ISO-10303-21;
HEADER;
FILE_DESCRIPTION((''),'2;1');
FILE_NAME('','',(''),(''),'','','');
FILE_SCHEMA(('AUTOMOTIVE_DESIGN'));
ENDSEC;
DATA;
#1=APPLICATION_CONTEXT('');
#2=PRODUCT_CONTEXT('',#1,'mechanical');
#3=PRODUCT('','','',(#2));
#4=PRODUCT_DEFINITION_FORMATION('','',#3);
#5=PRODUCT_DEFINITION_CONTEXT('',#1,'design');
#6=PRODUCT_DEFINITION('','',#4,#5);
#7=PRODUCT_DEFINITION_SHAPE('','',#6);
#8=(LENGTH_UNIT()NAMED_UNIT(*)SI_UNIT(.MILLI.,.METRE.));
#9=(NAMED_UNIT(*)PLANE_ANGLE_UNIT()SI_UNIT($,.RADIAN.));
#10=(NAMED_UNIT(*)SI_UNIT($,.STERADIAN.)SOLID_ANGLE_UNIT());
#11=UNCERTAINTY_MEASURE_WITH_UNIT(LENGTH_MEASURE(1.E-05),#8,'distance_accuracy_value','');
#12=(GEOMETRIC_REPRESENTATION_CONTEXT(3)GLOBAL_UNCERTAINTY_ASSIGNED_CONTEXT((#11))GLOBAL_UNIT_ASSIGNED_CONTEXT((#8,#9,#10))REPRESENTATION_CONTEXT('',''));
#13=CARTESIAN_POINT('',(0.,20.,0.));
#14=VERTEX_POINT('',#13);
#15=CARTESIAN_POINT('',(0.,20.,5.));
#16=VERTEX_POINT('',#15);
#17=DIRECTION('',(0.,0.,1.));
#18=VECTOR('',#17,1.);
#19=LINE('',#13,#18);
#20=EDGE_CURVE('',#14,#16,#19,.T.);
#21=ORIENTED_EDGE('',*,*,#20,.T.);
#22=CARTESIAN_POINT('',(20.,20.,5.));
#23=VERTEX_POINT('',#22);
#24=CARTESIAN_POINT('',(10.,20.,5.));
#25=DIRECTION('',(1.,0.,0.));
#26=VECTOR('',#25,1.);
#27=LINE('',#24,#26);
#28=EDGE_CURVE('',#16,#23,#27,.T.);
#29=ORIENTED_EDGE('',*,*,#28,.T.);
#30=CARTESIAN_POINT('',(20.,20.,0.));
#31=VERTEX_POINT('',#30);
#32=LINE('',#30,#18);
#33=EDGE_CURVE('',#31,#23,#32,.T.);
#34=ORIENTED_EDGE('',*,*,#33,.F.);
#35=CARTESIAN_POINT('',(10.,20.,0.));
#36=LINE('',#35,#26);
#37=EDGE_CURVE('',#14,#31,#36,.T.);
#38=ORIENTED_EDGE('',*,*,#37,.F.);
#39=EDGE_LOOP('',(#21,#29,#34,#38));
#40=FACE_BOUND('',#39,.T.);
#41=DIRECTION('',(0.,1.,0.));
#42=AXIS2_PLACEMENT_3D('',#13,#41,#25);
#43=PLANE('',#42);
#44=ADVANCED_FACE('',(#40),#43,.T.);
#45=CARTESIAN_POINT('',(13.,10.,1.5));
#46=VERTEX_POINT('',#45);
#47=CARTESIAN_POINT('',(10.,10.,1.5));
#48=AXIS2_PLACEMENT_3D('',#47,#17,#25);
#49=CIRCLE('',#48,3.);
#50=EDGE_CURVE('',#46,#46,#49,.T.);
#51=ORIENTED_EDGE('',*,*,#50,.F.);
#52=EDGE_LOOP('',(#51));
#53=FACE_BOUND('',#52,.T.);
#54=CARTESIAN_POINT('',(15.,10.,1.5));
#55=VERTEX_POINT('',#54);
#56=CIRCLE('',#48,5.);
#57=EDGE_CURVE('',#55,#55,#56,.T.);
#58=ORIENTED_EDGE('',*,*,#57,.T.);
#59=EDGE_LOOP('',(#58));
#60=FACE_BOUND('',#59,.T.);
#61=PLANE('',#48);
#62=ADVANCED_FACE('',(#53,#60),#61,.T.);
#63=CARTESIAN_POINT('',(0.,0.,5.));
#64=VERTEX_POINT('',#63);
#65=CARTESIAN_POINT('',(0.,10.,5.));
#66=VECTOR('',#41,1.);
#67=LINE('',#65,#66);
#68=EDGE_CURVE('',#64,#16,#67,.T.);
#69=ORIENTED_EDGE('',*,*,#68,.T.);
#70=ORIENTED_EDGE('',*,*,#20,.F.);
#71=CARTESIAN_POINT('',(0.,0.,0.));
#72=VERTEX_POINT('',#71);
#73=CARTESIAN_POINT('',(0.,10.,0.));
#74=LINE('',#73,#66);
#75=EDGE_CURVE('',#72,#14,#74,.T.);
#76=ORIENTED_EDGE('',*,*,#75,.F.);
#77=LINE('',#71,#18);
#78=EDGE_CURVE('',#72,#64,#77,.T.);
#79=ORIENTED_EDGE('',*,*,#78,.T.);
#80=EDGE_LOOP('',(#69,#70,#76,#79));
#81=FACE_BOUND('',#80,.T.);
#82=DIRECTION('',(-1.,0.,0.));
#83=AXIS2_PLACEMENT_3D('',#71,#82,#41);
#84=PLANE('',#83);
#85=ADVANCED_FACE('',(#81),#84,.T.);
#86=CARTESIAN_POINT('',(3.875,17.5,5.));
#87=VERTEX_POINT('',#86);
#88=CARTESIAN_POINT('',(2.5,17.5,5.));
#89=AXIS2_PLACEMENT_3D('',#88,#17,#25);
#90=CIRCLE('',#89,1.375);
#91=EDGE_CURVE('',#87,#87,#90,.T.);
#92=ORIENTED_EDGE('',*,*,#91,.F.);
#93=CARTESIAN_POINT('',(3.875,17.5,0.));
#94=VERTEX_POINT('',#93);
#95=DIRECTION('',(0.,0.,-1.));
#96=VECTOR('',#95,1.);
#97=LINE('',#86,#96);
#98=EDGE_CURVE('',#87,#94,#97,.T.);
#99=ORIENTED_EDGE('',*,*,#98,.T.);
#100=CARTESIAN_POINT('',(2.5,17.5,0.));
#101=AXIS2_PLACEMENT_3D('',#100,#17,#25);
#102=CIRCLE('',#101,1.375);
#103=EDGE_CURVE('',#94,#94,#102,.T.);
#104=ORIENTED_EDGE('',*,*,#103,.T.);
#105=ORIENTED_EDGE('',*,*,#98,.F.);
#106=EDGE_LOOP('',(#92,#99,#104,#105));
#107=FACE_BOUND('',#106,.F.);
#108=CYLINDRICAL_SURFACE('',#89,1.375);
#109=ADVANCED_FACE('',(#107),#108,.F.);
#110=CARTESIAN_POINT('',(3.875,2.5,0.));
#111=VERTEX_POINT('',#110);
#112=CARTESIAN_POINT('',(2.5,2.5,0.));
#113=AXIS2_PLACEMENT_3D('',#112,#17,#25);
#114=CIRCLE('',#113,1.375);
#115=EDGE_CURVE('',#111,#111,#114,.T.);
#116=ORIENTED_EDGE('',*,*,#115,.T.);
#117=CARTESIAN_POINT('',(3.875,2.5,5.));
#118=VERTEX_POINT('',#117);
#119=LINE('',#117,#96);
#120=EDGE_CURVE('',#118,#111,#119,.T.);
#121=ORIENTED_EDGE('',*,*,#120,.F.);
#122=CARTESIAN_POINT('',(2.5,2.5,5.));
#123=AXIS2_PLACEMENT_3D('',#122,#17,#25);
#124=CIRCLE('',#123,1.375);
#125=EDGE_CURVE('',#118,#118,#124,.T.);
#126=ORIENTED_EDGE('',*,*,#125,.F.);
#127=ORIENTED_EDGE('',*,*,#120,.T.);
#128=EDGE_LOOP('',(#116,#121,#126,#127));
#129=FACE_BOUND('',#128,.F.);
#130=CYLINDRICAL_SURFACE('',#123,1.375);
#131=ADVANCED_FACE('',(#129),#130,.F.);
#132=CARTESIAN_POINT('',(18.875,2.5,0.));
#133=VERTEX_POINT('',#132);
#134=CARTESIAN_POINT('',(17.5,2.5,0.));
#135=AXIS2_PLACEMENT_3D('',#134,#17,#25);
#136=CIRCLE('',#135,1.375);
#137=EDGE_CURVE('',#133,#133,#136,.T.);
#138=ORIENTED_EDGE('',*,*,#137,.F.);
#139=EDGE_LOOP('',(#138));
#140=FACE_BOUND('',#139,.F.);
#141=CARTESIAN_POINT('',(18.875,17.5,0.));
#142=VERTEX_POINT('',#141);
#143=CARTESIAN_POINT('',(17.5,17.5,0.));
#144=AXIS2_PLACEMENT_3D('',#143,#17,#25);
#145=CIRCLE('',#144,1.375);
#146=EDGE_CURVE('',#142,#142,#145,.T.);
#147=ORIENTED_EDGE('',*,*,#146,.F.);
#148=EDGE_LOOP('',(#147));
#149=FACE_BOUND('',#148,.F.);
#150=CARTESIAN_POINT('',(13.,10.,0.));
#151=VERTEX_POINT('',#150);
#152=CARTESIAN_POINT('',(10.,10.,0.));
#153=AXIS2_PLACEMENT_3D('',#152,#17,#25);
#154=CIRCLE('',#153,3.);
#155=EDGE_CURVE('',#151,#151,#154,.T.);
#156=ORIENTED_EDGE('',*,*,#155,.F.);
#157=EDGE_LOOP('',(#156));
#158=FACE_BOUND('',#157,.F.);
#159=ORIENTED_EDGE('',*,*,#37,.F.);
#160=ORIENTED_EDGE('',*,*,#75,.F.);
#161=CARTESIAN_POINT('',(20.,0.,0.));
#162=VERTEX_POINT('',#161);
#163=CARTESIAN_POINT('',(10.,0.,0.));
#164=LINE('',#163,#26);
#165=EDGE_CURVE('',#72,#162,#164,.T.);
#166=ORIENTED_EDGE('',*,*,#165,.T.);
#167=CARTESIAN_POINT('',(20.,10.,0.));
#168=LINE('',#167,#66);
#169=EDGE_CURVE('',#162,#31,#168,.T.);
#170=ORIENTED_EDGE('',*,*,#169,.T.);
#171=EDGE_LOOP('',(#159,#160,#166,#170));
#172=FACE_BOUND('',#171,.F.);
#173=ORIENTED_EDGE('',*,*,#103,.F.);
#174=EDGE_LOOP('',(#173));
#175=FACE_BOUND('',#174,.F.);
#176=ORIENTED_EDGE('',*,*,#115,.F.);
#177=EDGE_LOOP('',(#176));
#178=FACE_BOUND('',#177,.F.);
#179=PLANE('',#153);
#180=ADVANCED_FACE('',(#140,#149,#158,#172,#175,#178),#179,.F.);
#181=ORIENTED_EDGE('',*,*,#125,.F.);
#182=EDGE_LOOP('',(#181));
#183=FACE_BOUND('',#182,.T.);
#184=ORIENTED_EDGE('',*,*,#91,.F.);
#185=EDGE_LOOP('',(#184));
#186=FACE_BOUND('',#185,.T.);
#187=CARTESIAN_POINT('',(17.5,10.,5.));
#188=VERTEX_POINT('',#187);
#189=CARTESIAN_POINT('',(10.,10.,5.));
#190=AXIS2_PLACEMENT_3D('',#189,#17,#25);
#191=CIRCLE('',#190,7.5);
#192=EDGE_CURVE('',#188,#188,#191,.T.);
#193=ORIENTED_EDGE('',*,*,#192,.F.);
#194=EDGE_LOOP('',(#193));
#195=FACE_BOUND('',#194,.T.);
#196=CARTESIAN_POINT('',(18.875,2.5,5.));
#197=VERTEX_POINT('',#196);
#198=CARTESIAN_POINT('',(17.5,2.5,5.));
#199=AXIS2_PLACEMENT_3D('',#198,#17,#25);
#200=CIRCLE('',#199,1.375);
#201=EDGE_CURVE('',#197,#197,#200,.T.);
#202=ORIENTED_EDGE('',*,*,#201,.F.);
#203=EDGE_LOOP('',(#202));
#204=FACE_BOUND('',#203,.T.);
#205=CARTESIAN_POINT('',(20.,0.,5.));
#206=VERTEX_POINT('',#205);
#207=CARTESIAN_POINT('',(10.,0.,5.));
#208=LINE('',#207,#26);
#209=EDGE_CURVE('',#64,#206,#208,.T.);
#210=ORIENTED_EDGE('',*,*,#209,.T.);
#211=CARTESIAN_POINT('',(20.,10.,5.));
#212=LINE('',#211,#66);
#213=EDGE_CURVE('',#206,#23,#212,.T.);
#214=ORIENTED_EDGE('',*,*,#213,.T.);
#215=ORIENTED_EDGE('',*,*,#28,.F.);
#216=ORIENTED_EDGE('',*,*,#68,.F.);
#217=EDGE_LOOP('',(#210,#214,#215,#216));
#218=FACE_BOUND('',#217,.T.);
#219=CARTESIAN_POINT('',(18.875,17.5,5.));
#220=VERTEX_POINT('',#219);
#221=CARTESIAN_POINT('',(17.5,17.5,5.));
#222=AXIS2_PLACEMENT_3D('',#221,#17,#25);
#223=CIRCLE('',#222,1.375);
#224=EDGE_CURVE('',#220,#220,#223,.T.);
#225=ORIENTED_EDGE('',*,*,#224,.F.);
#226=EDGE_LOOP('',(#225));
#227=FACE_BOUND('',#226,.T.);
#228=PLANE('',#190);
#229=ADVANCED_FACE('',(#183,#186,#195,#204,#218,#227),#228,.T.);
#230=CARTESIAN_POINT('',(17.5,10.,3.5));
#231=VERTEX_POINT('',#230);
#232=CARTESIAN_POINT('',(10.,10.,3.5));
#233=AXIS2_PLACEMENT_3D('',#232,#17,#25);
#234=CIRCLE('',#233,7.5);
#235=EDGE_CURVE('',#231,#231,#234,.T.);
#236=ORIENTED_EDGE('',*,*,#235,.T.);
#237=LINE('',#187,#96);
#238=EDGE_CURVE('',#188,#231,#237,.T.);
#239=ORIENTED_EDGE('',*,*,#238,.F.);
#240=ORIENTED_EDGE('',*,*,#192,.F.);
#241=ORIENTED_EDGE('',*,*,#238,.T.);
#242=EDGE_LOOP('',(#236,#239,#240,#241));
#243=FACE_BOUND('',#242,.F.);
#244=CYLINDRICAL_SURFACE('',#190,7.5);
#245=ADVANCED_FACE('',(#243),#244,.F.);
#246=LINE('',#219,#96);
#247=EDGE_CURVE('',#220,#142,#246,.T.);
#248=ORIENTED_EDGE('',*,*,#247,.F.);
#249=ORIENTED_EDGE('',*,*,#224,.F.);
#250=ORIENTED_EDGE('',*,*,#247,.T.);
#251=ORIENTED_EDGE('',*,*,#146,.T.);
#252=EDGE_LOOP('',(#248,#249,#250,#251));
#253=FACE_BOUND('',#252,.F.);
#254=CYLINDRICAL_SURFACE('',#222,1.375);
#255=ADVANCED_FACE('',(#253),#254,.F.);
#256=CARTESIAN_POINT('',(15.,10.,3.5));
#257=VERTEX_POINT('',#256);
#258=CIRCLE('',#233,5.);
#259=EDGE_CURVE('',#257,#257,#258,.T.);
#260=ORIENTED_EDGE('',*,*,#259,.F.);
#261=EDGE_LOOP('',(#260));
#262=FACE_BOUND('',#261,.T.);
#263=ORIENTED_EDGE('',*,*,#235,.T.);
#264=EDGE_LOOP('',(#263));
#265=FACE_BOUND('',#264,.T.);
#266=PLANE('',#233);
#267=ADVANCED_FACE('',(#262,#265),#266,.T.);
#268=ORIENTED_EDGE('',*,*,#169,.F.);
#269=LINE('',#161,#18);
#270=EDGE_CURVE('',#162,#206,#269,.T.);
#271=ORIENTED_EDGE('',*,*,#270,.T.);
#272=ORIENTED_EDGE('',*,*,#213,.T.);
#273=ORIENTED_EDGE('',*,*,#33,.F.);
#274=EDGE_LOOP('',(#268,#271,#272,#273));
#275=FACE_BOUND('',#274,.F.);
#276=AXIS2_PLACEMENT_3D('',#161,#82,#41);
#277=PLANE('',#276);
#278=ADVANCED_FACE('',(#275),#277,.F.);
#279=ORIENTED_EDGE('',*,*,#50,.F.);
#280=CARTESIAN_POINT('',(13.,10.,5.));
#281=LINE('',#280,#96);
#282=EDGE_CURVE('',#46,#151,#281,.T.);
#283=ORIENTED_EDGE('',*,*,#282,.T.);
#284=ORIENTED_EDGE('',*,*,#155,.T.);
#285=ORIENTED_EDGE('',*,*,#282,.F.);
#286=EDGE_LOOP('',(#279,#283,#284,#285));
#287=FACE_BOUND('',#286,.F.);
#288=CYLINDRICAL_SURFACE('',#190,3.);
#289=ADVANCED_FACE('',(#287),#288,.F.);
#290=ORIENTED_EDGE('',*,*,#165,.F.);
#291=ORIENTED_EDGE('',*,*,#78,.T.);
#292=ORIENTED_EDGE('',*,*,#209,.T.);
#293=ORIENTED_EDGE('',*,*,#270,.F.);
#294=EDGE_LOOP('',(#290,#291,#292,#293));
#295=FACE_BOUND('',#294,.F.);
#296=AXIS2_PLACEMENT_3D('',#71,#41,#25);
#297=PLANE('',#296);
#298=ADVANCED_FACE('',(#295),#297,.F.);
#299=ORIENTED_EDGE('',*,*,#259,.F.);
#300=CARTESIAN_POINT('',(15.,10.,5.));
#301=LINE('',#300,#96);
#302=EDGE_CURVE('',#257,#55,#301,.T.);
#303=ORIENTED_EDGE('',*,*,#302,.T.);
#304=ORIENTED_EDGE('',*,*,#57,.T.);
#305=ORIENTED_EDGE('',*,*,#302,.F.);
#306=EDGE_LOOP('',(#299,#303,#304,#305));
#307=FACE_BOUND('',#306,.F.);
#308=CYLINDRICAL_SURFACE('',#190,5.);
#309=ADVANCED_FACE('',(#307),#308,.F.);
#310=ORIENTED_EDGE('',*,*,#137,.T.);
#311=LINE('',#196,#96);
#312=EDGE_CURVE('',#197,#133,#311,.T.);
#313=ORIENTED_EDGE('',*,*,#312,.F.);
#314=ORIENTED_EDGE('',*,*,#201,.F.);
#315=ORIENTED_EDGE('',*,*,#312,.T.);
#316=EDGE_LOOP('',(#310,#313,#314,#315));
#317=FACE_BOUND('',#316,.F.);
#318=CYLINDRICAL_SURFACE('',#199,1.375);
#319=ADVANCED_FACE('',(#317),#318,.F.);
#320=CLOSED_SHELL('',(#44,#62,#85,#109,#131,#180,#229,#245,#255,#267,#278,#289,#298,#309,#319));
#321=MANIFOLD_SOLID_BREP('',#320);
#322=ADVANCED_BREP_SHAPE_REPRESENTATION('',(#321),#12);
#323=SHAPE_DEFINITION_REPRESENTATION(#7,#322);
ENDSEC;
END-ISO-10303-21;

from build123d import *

# Parameters (mm, degrees)
F0_W     = 20
F0_H     = 20
F1_DEPTH = 5
F2_R     = 3
F2_R_2   = 1.375
F3_DEPTH = 25
F4_R     = 5
F5_DEPTH = 3.5
F6_R     = 7.5
F7_DEPTH = 1.5


with BuildPart() as f1:
    # F0 (on Top) → F1 (new body)
    with BuildSketch(Plane.XY):
        with Locations((10, 10)):
            Rectangle(F0_W, F0_H)
    extrude(amount=F1_DEPTH)

    # F2 (on face) → F3 (cut)
    with BuildSketch(Plane.XY.offset(5)):
        with Locations((10, 10)):
            Circle(F2_R)
        with Locations((2.5, 17.5)):
            Circle(F2_R_2)
        with Locations((17.5, 17.5)):
            Circle(F2_R_2)
        with Locations((17.5, 2.5)):
            Circle(F2_R_2)
        with Locations((2.5, 2.5)):
            Circle(F2_R_2)
    extrude(amount=-F3_DEPTH, mode=Mode.SUBTRACT)

    # F4 (on face) → F5 (cut)
    with BuildSketch(Plane.XY.offset(5)):
        with Locations((10, 10)):
            Circle(F4_R)
    extrude(amount=-F5_DEPTH, mode=Mode.SUBTRACT)

    # F6 (on face) + F2 (on face) → F7 (cut)
    with BuildSketch(Plane.XY.offset(5)):
        with Locations((10, 10)):
            Circle(F6_R)
    with BuildSketch(Plane.XY.offset(5)):
        with Locations((10, 10)):
            Circle(F2_R)
        with Locations((2.5, 2.5)):
            Circle(F2_R_2)
        with Locations((2.5, 17.5)):
            Circle(F2_R_2)
        with Locations((17.5, 17.5)):
            Circle(F2_R_2)
        with Locations((17.5, 2.5)):
            Circle(F2_R_2)
    extrude(amount=-F7_DEPTH, mode=Mode.SUBTRACT)


solid = f1.part
